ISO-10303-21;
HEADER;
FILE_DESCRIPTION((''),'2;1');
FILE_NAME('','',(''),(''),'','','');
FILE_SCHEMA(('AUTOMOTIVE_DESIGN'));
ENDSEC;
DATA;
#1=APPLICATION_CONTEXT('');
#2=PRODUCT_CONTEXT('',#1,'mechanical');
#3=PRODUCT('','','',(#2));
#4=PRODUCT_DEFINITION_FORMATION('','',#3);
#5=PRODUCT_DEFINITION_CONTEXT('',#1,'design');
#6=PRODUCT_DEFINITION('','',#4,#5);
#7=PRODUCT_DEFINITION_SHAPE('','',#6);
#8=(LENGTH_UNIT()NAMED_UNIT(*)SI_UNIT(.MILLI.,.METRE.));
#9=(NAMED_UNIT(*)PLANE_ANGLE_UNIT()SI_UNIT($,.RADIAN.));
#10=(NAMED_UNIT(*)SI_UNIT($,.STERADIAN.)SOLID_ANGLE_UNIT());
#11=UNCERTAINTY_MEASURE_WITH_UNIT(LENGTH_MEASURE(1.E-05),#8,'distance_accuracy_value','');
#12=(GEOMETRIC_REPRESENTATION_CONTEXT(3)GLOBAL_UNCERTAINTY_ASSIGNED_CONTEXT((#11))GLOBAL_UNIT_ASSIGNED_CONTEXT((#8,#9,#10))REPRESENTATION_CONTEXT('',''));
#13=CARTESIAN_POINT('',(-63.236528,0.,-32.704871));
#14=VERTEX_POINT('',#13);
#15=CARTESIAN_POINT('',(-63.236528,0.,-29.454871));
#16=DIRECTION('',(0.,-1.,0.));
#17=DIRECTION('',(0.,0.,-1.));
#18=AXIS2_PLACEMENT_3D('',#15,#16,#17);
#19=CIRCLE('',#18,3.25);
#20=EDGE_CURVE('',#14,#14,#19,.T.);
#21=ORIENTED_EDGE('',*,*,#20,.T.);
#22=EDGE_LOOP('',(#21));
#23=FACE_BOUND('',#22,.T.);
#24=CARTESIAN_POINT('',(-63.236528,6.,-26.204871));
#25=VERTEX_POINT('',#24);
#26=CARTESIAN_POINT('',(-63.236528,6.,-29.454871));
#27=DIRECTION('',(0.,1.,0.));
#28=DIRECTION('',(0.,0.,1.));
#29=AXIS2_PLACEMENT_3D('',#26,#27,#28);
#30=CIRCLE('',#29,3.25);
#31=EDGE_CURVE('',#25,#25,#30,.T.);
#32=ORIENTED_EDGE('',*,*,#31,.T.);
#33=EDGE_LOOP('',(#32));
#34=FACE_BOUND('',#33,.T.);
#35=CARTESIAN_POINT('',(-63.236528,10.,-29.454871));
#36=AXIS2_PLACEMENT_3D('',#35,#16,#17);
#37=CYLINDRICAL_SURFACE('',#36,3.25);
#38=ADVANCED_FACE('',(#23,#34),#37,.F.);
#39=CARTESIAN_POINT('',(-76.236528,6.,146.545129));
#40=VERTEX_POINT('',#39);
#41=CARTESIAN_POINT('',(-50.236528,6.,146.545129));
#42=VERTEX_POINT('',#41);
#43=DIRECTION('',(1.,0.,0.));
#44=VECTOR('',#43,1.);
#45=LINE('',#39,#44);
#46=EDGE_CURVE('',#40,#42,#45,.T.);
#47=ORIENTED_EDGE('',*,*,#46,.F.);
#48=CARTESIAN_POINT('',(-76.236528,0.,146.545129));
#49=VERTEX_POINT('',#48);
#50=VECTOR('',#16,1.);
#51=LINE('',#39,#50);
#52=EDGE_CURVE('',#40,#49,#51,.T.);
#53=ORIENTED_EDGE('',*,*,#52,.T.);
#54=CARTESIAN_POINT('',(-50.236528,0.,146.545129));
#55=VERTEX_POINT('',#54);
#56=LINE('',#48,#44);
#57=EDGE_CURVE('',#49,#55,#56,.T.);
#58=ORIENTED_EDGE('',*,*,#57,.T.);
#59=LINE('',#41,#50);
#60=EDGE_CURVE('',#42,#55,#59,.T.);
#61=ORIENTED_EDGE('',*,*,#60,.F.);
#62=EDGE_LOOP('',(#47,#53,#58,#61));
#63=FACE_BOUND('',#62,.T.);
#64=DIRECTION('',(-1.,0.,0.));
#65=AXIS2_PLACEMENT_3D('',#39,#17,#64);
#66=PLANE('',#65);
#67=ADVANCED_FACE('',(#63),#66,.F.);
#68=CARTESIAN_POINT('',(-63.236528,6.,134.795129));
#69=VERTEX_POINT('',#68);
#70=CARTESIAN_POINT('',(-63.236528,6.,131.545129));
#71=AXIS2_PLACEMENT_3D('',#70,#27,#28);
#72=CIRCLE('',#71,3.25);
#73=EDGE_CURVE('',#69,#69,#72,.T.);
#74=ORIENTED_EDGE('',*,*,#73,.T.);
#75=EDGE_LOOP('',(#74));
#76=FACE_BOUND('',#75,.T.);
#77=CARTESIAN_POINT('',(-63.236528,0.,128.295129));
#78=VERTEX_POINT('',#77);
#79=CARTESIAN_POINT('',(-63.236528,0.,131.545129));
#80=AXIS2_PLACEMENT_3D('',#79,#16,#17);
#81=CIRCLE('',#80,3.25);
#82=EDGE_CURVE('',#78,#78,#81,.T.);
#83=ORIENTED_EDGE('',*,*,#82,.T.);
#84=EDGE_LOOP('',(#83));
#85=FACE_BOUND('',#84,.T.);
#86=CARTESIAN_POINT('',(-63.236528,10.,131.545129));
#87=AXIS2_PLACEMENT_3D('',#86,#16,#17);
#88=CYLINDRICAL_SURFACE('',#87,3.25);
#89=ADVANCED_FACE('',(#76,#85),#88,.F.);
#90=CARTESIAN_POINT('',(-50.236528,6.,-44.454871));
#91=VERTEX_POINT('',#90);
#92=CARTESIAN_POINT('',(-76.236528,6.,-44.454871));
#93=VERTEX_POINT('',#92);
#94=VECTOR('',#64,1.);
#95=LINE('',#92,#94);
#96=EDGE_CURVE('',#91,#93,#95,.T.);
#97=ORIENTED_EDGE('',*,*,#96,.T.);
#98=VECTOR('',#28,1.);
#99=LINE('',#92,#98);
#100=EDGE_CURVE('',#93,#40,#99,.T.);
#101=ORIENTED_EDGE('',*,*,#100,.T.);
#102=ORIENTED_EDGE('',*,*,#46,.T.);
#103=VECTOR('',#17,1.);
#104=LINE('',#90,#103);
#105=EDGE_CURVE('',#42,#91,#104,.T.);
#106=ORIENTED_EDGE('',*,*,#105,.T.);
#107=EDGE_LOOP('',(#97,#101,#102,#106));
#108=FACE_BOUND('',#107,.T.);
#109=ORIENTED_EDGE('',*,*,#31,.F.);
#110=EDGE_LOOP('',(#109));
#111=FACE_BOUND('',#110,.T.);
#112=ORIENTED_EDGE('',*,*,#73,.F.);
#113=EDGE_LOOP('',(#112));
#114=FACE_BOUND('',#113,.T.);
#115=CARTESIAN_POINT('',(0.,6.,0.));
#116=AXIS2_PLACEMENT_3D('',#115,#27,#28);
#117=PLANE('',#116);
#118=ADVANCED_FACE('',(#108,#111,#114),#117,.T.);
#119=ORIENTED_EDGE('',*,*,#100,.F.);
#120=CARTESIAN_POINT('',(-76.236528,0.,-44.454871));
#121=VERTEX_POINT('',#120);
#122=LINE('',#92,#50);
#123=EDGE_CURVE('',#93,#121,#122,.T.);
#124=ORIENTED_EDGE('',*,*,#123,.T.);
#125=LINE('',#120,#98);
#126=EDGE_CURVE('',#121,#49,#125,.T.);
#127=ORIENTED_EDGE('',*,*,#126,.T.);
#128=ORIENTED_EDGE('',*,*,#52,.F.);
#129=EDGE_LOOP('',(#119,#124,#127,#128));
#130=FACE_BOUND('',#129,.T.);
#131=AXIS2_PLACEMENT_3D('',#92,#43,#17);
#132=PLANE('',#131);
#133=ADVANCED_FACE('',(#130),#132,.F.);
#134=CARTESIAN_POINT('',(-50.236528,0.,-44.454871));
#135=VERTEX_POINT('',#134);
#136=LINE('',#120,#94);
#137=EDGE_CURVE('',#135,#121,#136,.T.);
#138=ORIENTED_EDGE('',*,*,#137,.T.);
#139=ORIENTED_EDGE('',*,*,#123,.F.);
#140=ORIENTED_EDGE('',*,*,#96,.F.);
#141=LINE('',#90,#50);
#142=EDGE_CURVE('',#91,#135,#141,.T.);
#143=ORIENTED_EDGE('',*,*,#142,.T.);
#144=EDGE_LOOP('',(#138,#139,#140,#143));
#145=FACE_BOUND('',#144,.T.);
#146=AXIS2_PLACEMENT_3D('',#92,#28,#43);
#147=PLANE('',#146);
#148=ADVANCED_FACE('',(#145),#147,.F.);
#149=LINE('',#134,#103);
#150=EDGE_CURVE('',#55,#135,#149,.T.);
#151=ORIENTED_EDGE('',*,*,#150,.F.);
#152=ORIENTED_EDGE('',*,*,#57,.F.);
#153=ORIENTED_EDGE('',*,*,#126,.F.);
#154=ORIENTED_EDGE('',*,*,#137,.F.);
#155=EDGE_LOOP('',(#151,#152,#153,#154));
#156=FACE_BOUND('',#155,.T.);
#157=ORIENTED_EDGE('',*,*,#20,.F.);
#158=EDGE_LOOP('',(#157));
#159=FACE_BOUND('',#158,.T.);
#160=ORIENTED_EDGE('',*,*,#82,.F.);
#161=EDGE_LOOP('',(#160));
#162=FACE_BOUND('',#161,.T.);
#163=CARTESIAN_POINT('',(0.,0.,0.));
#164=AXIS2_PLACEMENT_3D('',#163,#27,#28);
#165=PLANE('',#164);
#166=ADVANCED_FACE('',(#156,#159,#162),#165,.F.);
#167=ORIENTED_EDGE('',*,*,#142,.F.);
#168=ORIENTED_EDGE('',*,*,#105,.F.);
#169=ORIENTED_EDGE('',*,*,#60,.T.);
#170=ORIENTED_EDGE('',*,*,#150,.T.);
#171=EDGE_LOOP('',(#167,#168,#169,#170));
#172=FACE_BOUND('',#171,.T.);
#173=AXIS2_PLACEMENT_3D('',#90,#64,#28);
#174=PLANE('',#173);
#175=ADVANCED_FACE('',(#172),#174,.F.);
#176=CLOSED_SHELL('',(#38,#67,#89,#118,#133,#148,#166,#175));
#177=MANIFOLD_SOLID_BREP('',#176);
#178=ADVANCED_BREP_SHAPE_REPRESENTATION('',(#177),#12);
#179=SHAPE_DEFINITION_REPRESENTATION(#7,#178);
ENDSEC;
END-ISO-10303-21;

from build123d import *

# Parameters (mm, degrees)
SKETCH1_W           = 26
SKETCH1_H           = 191
BOSS_EXTRUDE1_DEPTH = 6
SKETCH2_R           = 3.25
CUT_EXTRUDE1_DEPTH  = 10


with BuildPart() as part:
    # Sketch1 → Boss-Extrude1 (new body)
    with BuildSketch(Plane(origin=(0, 0, 0), x_dir=(1, 0, 0), z_dir=(0, 1, 0))):
        with Locations((-63.236527651, -51.045128746)):
            Rectangle(SKETCH1_W, SKETCH1_H)
    extrude(amount=BOSS_EXTRUDE1_DEPTH)

    # Sketch2 → Cut-Extrude1 (cut)
    with BuildSketch(Plane(origin=(0, 0, 0), x_dir=(-1, 0, 0), z_dir=(0, -1, 0))):
        with Locations(Location((63.236527651, -131.545128746, 0), (0, 0, 90))):
            Circle(SKETCH2_R)
        with Locations(Location((63.236527651, 29.454871254, 0), (0, 0, 90))):
            Circle(SKETCH2_R)
    extrude(amount=-CUT_EXTRUDE1_DEPTH, mode=Mode.SUBTRACT)


solid = part.part
